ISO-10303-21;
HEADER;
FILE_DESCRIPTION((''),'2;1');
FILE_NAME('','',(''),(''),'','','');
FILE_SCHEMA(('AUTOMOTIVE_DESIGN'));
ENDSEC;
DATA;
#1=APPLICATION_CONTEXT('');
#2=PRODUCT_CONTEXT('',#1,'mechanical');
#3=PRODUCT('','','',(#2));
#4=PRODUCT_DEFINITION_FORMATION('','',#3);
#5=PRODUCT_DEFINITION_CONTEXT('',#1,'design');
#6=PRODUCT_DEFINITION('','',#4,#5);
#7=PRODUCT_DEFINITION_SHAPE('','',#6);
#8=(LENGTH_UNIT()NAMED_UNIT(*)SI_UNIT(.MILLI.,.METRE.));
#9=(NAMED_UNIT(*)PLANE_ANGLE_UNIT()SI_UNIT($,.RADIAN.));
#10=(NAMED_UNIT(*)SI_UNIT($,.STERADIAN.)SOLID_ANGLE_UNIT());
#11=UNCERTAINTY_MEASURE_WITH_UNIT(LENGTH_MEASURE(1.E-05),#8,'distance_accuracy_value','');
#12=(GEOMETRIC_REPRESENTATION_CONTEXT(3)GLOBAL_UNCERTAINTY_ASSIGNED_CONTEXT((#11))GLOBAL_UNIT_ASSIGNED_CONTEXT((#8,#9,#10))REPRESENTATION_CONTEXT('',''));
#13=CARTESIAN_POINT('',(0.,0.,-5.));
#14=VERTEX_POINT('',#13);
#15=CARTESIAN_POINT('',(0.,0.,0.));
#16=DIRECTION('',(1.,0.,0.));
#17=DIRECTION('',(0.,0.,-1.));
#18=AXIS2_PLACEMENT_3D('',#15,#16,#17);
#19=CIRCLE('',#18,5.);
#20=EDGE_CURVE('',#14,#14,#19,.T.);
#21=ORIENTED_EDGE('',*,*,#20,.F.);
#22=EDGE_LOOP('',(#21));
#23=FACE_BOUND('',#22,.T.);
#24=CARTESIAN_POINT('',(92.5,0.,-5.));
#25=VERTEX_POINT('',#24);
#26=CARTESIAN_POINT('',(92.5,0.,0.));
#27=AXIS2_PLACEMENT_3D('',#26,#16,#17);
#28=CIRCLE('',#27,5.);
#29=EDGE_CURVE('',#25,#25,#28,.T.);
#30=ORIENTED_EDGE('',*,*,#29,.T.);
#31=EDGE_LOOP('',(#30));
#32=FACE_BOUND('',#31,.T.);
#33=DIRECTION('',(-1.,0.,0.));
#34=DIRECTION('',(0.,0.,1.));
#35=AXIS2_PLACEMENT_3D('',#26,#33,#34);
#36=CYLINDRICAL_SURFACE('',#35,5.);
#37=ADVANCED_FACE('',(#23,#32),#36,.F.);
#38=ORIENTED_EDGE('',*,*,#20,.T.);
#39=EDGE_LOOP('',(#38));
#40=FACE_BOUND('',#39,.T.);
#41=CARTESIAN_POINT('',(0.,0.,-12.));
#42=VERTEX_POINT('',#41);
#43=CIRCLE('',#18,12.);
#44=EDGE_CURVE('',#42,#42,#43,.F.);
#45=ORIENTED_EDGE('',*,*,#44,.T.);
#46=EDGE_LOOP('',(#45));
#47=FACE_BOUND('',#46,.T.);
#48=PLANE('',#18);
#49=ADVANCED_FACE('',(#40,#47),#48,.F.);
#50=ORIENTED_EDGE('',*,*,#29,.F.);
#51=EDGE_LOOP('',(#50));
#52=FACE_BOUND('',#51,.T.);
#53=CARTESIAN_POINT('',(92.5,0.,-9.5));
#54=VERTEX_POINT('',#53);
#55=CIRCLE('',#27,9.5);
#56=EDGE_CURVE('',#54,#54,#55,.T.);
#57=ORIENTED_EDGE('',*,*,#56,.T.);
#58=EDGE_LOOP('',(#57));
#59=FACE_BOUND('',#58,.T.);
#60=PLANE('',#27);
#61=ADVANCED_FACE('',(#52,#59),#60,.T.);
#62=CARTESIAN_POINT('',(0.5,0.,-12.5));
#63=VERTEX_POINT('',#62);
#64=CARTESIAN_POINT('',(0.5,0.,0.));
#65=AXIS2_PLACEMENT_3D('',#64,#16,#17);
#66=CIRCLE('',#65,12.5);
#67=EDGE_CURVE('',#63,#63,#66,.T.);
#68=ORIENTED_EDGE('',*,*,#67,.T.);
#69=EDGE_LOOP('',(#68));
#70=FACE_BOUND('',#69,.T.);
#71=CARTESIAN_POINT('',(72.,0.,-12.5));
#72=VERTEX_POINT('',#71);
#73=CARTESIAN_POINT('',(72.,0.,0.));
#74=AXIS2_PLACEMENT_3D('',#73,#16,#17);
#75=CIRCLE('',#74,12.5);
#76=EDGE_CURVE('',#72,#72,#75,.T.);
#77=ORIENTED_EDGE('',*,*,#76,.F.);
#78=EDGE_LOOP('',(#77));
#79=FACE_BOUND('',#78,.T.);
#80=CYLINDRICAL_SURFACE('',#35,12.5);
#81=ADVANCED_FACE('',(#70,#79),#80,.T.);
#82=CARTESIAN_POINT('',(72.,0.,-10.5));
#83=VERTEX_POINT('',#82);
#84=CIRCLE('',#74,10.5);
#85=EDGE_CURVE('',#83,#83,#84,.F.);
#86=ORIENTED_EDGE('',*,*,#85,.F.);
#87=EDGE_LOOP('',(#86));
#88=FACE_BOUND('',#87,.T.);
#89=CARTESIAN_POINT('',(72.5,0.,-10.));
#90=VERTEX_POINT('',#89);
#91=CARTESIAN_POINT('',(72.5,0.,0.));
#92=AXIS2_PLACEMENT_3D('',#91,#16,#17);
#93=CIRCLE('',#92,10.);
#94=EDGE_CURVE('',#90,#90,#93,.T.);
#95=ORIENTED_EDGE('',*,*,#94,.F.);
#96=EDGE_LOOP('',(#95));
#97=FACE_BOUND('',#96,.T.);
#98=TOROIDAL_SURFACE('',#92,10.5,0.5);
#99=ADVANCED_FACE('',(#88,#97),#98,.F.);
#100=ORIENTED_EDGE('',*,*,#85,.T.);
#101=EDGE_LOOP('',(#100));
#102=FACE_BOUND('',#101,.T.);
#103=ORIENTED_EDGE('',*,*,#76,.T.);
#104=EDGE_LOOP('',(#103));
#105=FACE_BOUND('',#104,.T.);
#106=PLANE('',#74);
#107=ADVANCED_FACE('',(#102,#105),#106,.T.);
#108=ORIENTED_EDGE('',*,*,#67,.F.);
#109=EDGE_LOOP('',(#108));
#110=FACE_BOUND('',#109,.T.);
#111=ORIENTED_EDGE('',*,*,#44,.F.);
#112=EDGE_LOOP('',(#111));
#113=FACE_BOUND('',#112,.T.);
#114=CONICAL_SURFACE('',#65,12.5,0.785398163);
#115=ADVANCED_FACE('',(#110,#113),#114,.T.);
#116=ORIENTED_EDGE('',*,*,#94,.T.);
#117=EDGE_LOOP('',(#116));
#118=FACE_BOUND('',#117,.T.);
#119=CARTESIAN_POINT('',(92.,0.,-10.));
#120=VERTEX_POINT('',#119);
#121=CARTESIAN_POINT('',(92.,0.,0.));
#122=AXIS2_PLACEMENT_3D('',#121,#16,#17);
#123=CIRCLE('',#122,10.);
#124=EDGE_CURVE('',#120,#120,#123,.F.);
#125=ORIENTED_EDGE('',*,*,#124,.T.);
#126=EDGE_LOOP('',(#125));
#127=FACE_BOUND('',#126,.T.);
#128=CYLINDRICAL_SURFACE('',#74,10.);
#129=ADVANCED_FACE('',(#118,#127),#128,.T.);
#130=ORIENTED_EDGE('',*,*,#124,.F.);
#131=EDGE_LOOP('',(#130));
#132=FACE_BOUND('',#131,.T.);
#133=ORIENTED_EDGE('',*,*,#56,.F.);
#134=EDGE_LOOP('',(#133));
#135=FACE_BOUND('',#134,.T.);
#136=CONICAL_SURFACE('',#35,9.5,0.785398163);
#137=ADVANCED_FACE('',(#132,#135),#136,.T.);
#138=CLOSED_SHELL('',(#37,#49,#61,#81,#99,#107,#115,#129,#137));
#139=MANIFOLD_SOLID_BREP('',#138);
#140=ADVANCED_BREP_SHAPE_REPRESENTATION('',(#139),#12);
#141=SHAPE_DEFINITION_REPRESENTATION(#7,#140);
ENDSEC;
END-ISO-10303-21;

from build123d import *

# Parameters (mm, degrees)
SKETCH1_R           = 12.5
SKETCH1_R_2         = 5
BOSS_EXTRUDE1_DEPTH = 92.5
SKETCH2_OUTSIDE_W   = 46.806
SKETCH2_OUTSIDE_H   = 46.806
SKETCH2_OUTSIDE_R   = 10
CUT_EXTRUDE1_DEPTH  = 20.5
FILLET1_R           = 0.5
CHAMFER1_SIZE       = 0.5


with BuildPart() as part:
    # Sketch1 → Boss-Extrude1 (new body)
    with BuildSketch(Plane(origin=(0, 0, 0), x_dir=(0, 0, -1), z_dir=(1, 0, 0))):
        Circle(SKETCH1_R)
        Circle(SKETCH1_R_2, mode=Mode.SUBTRACT)
    extrude(amount=BOSS_EXTRUDE1_DEPTH)

    # Sketch2 outside → Cut-Extrude1 (cut)
    with BuildSketch(Plane(origin=(92.5, 0, 0), x_dir=(0, 0, -1), z_dir=(1, 0, 0))):
        Rectangle(SKETCH2_OUTSIDE_W, SKETCH2_OUTSIDE_H)
        Circle(SKETCH2_OUTSIDE_R, mode=Mode.SUBTRACT)
    extrude(amount=-CUT_EXTRUDE1_DEPTH, mode=Mode.SUBTRACT)

    # Fillet1
    fillet1_edges = [part.edges().sort_by_distance(p)[0] for p in [
        (72, 0, 10),
    ]]
    fillet(fillet1_edges, radius=FILLET1_R)

    # Chamfer1
    chamfer1_edges = [part.edges().sort_by_distance(p)[0] for p in [
        (92.5, 0, 10),
        (0, 0, 12.5),
    ]]
    chamfer(chamfer1_edges, length=CHAMFER1_SIZE)


solid = part.part
